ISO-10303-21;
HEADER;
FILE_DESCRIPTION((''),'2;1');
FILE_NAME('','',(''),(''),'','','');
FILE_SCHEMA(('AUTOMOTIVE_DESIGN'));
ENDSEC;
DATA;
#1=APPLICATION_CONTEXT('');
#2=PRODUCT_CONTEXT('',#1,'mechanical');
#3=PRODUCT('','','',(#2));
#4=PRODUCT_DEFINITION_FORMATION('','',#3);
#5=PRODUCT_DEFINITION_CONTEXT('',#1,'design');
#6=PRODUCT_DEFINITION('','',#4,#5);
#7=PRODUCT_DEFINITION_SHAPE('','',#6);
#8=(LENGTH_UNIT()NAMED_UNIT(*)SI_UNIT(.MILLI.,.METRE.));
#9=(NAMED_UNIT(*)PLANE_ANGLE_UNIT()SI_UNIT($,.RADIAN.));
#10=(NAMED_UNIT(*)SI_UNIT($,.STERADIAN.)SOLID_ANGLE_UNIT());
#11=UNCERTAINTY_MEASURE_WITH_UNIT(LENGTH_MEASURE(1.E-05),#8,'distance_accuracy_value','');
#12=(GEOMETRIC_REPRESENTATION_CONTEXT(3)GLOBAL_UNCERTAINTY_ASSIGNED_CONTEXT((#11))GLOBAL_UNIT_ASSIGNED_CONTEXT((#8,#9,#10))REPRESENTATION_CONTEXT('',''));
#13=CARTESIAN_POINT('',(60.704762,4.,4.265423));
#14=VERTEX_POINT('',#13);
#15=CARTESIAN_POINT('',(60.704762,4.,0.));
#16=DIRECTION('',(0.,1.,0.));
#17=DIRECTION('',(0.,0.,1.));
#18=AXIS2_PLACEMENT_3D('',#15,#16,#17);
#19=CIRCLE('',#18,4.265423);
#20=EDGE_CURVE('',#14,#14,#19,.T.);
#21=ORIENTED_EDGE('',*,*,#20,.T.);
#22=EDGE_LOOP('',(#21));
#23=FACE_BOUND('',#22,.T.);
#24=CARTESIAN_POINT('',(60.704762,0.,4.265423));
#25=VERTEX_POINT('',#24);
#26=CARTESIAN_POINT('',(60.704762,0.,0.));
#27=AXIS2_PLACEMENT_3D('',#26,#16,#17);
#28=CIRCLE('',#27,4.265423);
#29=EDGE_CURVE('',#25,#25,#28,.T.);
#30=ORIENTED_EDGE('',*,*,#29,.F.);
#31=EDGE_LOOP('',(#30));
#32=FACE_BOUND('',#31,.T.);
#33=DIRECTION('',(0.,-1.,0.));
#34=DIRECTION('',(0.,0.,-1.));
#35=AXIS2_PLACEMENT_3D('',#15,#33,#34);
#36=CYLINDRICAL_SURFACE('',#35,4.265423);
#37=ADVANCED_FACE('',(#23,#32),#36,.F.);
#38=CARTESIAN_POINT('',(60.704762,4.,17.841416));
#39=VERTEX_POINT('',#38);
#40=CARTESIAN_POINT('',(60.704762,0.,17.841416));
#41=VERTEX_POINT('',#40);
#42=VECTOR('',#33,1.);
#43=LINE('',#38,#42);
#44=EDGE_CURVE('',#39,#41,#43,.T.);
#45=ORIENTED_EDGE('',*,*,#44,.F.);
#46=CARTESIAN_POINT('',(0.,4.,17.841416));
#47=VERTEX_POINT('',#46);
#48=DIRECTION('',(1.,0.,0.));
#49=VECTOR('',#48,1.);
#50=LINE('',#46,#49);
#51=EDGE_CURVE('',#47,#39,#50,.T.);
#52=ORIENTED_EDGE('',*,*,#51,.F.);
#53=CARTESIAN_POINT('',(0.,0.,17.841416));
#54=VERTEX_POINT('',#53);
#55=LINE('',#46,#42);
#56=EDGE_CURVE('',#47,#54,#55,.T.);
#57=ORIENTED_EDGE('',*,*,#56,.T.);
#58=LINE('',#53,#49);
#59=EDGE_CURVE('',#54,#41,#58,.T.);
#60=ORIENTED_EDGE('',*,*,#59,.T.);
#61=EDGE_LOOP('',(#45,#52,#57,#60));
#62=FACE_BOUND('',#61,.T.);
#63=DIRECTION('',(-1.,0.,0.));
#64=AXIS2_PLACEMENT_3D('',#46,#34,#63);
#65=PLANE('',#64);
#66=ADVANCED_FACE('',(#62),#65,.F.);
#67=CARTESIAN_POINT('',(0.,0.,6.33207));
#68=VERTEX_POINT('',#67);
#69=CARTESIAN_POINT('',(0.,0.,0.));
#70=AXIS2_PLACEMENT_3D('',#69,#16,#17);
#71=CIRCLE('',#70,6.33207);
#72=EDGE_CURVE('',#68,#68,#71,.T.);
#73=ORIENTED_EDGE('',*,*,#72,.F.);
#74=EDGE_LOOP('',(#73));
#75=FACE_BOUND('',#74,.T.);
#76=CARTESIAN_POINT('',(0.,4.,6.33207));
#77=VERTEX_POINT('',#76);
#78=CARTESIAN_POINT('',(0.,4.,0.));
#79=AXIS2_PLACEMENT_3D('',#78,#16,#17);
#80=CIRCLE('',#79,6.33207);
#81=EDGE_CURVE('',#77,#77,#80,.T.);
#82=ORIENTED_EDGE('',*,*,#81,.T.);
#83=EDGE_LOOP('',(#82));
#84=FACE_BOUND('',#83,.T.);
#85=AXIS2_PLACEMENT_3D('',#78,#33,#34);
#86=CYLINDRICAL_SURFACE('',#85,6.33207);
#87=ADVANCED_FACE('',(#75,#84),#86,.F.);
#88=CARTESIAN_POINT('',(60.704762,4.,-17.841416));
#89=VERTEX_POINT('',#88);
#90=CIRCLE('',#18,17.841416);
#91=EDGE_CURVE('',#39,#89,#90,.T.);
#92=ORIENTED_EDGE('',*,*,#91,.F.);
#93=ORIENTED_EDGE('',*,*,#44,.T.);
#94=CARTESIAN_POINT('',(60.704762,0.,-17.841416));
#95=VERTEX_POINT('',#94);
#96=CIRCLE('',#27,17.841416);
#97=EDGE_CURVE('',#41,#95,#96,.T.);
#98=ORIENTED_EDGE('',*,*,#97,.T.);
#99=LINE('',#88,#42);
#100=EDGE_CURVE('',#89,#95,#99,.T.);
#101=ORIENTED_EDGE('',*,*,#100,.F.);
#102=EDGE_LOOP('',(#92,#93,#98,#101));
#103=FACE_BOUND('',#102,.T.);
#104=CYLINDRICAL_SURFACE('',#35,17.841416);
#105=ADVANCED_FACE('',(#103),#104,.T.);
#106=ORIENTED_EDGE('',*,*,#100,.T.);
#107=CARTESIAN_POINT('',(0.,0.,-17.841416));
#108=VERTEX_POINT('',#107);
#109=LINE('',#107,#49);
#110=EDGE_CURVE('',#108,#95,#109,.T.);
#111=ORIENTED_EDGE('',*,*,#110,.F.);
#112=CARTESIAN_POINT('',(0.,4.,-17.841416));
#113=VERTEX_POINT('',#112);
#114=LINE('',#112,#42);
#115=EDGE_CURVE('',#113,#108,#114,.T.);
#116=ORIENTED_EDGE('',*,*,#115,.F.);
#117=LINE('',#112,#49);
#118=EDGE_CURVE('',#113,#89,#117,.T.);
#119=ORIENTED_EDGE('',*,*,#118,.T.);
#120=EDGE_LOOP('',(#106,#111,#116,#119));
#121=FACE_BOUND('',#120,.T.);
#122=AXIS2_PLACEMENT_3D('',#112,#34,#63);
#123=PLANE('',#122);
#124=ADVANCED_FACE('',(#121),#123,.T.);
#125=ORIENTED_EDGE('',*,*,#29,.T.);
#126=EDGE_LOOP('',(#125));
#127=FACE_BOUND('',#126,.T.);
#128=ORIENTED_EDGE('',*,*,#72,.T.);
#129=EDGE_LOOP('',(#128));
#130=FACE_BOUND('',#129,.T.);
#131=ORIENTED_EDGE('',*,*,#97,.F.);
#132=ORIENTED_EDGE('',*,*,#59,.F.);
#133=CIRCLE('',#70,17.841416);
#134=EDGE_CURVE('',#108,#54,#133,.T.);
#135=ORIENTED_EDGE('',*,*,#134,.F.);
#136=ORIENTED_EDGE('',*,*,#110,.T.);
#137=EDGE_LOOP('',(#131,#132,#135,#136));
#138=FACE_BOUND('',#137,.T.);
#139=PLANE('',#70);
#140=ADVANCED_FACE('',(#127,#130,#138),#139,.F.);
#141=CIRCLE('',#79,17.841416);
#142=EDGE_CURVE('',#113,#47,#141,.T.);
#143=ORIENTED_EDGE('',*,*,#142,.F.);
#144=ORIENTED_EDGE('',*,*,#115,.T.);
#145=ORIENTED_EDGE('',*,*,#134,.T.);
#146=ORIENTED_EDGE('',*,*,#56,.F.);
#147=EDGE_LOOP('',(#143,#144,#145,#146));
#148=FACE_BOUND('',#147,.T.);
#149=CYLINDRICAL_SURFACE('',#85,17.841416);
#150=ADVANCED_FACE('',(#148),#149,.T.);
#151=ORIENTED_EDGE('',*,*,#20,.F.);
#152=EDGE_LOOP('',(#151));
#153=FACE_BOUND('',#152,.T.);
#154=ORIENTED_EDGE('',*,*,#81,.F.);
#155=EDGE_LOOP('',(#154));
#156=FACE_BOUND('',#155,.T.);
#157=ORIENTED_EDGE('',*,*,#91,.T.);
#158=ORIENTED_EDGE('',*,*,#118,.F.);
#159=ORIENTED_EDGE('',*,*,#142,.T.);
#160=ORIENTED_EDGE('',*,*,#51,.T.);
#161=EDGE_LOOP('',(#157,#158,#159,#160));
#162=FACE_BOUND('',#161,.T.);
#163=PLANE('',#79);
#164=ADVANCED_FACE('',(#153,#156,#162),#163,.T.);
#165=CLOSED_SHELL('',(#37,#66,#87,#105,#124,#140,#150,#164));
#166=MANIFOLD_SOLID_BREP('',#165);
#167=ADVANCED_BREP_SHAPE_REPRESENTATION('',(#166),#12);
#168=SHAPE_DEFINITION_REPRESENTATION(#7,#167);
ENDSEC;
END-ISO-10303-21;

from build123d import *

# Parameters (mm, degrees)
SKETCH1_R           = 6.332069854
SKETCH1_R_2         = 4.265422869
BOSS_EXTRUDE1_DEPTH = 4


with BuildPart() as part:
    # Sketch1 → Boss-Extrude1 (new body)
    with BuildSketch(Plane(origin=(0, 0, 0), x_dir=(1, 0, 0), z_dir=(0, 1, 0))):
        with BuildLine():
            Line((0, 17.841416209), (60.704762448, 17.841416209))
            ThreePointArc((60.704762448, 17.841416209), (78.546178657, 0), (60.704762448, -17.841416209))
            Line((60.704762448, -17.841416209), (0, -17.841416209))
            ThreePointArc((0, -17.841416209), (-17.841416209, 0), (0, 17.841416209))
        make_face()
        with Locations(Location((0, 0, 0), (0, 0, 270))):
            Circle(SKETCH1_R, mode=Mode.SUBTRACT)
        with Locations(Location((60.704762448, 0, 0), (0, 0, 270))):
            Circle(SKETCH1_R_2, mode=Mode.SUBTRACT)
    extrude(amount=BOSS_EXTRUDE1_DEPTH)


solid = part.part
